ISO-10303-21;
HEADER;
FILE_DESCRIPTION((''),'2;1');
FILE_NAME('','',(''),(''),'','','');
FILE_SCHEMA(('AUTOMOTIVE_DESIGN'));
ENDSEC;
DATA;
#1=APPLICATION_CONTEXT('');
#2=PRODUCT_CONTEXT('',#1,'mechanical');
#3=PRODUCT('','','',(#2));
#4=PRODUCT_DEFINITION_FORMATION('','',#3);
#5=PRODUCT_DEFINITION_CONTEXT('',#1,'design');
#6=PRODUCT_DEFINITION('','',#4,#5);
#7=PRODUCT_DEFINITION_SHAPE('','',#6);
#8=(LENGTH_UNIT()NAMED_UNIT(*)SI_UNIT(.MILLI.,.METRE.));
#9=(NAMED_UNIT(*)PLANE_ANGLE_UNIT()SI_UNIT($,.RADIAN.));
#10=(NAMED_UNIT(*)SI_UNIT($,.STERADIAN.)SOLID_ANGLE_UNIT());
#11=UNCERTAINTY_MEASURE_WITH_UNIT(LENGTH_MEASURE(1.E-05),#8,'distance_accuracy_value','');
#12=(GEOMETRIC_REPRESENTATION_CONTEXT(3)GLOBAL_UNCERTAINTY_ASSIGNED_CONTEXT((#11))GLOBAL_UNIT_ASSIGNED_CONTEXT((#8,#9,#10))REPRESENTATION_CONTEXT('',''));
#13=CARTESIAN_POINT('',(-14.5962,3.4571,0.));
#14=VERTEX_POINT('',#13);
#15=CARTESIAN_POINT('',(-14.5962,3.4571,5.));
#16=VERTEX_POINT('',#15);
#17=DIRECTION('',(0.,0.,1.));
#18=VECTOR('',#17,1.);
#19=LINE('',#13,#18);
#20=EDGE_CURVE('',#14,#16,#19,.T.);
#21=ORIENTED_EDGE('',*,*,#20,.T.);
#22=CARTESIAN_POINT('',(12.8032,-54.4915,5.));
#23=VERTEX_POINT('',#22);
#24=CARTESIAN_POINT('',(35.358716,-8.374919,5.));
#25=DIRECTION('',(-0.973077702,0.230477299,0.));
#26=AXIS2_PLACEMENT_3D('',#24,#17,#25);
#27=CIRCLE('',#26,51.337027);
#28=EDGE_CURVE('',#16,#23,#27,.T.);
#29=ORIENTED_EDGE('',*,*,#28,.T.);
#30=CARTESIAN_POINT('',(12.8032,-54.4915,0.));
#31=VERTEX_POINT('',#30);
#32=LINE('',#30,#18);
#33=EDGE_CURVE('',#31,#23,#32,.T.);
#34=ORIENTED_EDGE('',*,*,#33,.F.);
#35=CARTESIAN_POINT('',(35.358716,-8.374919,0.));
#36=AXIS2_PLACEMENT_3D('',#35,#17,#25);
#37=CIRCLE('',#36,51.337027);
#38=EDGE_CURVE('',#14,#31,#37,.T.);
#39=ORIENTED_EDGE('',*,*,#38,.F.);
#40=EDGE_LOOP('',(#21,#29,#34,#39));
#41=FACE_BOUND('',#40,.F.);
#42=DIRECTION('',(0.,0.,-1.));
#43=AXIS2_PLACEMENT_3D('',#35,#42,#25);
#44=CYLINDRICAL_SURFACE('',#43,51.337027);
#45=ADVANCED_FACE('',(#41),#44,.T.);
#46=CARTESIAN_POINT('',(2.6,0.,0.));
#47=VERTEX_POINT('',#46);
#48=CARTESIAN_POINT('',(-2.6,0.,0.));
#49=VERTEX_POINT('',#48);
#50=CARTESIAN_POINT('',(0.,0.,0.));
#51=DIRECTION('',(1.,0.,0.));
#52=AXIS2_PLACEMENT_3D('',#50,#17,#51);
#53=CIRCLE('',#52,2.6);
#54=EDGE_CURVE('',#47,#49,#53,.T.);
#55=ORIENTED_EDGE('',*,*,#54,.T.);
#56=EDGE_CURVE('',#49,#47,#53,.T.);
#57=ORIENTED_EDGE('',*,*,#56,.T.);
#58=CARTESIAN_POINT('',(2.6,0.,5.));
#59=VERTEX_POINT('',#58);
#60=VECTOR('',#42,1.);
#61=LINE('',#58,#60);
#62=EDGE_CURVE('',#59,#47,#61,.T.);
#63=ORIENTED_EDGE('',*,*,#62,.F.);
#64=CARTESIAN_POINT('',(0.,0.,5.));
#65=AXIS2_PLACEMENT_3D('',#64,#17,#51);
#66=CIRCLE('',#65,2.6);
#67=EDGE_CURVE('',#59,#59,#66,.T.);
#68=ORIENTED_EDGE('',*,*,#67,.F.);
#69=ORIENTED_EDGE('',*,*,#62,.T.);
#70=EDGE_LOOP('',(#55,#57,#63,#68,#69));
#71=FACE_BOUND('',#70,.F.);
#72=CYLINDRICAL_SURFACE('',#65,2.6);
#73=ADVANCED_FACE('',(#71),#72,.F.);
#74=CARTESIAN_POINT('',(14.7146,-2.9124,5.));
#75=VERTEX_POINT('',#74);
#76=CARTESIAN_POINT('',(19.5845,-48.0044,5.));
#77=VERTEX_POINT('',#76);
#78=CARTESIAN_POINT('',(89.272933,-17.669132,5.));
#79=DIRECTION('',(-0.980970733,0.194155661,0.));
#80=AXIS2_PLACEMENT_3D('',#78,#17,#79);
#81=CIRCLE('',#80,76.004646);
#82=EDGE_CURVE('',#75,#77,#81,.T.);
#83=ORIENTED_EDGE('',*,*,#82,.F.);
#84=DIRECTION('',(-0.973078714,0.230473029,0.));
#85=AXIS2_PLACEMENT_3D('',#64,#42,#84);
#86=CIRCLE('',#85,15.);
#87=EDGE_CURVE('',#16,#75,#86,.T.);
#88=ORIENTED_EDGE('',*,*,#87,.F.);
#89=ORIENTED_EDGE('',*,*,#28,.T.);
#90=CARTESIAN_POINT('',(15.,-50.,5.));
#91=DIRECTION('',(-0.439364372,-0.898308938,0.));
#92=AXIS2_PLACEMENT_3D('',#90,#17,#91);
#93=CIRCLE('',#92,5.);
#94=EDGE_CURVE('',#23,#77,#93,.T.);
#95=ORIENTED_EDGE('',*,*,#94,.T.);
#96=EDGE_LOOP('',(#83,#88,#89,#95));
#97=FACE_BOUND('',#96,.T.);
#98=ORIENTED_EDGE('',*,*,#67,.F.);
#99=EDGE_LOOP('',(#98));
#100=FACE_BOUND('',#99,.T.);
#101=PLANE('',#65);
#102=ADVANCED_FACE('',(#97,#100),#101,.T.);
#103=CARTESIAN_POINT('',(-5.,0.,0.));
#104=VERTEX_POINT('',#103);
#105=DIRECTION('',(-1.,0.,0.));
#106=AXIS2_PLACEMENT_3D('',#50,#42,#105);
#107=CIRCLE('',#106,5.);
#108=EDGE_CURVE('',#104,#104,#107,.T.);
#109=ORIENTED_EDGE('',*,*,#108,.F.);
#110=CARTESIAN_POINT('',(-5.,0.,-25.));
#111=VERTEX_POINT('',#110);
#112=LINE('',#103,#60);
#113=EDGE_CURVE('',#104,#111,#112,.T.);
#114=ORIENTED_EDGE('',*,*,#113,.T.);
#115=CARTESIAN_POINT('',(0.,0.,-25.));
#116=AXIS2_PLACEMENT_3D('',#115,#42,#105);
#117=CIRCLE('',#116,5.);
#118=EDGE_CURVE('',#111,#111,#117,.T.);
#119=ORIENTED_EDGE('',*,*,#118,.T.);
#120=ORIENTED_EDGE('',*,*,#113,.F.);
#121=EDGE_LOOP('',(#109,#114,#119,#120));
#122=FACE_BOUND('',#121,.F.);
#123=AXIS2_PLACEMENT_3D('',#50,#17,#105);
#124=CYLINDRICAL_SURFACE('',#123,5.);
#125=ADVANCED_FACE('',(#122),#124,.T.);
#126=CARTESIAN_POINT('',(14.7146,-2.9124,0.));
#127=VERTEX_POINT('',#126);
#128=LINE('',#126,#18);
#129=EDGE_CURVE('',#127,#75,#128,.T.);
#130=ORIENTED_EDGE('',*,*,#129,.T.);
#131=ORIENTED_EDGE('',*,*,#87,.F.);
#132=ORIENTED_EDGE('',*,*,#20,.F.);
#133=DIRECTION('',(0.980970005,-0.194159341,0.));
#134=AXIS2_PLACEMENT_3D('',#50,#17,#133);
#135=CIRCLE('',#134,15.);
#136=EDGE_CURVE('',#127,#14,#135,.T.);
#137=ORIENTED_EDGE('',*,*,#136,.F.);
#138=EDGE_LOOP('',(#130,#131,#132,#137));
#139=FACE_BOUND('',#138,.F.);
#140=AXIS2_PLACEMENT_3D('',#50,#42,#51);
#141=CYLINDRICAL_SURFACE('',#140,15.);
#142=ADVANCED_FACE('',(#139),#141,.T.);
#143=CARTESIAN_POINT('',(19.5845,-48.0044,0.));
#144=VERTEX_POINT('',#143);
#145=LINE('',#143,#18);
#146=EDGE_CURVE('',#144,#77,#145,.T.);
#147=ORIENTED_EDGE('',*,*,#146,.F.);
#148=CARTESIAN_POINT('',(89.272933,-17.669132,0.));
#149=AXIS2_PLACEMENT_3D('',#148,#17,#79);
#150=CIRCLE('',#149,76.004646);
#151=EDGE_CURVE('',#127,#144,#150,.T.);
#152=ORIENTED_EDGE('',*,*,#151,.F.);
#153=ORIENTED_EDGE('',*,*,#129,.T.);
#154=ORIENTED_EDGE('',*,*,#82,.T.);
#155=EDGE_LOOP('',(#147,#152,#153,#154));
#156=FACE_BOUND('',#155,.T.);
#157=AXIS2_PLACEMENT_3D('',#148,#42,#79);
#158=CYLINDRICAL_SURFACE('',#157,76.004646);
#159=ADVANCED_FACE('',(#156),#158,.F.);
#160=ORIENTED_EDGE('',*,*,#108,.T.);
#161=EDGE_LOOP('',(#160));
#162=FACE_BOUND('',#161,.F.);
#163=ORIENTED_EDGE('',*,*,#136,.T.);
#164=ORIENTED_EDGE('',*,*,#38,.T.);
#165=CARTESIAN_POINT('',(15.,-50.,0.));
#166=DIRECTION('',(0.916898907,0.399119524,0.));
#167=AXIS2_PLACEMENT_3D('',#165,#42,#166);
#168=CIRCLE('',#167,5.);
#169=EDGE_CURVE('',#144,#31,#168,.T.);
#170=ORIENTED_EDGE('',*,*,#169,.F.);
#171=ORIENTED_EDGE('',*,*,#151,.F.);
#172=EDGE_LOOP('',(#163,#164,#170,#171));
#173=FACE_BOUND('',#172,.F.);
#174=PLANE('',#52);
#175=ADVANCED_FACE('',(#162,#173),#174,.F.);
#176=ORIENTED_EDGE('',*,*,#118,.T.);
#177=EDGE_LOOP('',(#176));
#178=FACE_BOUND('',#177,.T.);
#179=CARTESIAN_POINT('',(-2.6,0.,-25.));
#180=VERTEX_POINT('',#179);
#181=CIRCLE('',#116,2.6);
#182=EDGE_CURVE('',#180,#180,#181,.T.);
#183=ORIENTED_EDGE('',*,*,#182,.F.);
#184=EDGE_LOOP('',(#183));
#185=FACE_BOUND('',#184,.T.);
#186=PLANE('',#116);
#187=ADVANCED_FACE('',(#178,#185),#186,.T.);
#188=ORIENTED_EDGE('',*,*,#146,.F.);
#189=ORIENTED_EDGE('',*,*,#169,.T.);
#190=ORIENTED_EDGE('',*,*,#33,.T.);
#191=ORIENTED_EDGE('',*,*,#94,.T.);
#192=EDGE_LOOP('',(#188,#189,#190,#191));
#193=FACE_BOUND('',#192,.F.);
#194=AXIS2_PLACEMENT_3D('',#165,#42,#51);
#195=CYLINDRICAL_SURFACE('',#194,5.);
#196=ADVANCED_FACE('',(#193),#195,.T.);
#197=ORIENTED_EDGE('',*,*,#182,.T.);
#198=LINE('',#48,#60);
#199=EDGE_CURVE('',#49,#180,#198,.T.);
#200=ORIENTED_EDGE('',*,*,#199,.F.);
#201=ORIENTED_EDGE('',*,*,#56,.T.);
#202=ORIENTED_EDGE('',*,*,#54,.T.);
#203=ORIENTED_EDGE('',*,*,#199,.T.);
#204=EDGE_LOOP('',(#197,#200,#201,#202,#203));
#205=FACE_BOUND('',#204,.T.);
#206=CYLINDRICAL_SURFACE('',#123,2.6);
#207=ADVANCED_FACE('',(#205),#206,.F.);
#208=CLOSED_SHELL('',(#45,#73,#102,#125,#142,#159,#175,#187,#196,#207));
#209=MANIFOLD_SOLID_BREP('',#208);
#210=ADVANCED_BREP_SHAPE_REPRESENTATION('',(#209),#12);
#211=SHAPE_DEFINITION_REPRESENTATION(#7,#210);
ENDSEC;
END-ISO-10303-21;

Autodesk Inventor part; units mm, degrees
ref_plane "YZ Plane" through (0, 0, 0) normal (1, 0, 0) x (0, 1, 0)
ref_plane "XZ Plane" through (0, 0, 0) normal (0, 1, 0) x (-1, 0, 0)
ref_plane "XY Plane" through (0, 0, 0) normal (0, 0, 1) x (1, 0, 0)
sketch "Sketch1" plane through (0, 0, 0) normal (0, 0, 1) x (1, 0, 0)
  circle A0 centre (0, 0) radius 15
  circle A1 centre (15, -50) radius 5
  arc A2 (14.7146, -2.9124) -> (19.5845, -48.0044) centre (89.2722, -17.6691) ccw
  arc A3 (-14.5962, 3.4571) -> (12.8032, -54.4915) centre (35.3589, -8.3749) ccw
  point P0 (15, -55)
  point P1 (13.6233, -6.2774)
  point P2 (15, -45)
  dimension "d0" = 30
  dimension "d1" = 10
  dimension "d2" = 15
  dimension "d3" = 50
extrude "Extrusion1" add sketch "Sketch1" along normal blind 5
sketch "Sketch2" plane through (0, 0, 5) normal (0, 0, 1) x (1, 0, 0)
  circle A0 centre (0, 0) radius 2.6
  dimension "d8" = 5.2
extrude "Extrusion2" cut sketch "Sketch2" against normal blind 40
sketch "Sketch3" plane through (0, 0, 0) normal (0, 0, -1) x (-1, 0, 0)
  circle A0 centre (0, 0) radius 2.6 projected
  circle A1 centre (0, 0) radius 5
  circle A2 centre (0, 0) radius 2.6
  dimension "d13" = 10
extrude "Extrusion3" add sketch "Sketch3" along normal blind 25
properties part number "p2_3DPrint"
